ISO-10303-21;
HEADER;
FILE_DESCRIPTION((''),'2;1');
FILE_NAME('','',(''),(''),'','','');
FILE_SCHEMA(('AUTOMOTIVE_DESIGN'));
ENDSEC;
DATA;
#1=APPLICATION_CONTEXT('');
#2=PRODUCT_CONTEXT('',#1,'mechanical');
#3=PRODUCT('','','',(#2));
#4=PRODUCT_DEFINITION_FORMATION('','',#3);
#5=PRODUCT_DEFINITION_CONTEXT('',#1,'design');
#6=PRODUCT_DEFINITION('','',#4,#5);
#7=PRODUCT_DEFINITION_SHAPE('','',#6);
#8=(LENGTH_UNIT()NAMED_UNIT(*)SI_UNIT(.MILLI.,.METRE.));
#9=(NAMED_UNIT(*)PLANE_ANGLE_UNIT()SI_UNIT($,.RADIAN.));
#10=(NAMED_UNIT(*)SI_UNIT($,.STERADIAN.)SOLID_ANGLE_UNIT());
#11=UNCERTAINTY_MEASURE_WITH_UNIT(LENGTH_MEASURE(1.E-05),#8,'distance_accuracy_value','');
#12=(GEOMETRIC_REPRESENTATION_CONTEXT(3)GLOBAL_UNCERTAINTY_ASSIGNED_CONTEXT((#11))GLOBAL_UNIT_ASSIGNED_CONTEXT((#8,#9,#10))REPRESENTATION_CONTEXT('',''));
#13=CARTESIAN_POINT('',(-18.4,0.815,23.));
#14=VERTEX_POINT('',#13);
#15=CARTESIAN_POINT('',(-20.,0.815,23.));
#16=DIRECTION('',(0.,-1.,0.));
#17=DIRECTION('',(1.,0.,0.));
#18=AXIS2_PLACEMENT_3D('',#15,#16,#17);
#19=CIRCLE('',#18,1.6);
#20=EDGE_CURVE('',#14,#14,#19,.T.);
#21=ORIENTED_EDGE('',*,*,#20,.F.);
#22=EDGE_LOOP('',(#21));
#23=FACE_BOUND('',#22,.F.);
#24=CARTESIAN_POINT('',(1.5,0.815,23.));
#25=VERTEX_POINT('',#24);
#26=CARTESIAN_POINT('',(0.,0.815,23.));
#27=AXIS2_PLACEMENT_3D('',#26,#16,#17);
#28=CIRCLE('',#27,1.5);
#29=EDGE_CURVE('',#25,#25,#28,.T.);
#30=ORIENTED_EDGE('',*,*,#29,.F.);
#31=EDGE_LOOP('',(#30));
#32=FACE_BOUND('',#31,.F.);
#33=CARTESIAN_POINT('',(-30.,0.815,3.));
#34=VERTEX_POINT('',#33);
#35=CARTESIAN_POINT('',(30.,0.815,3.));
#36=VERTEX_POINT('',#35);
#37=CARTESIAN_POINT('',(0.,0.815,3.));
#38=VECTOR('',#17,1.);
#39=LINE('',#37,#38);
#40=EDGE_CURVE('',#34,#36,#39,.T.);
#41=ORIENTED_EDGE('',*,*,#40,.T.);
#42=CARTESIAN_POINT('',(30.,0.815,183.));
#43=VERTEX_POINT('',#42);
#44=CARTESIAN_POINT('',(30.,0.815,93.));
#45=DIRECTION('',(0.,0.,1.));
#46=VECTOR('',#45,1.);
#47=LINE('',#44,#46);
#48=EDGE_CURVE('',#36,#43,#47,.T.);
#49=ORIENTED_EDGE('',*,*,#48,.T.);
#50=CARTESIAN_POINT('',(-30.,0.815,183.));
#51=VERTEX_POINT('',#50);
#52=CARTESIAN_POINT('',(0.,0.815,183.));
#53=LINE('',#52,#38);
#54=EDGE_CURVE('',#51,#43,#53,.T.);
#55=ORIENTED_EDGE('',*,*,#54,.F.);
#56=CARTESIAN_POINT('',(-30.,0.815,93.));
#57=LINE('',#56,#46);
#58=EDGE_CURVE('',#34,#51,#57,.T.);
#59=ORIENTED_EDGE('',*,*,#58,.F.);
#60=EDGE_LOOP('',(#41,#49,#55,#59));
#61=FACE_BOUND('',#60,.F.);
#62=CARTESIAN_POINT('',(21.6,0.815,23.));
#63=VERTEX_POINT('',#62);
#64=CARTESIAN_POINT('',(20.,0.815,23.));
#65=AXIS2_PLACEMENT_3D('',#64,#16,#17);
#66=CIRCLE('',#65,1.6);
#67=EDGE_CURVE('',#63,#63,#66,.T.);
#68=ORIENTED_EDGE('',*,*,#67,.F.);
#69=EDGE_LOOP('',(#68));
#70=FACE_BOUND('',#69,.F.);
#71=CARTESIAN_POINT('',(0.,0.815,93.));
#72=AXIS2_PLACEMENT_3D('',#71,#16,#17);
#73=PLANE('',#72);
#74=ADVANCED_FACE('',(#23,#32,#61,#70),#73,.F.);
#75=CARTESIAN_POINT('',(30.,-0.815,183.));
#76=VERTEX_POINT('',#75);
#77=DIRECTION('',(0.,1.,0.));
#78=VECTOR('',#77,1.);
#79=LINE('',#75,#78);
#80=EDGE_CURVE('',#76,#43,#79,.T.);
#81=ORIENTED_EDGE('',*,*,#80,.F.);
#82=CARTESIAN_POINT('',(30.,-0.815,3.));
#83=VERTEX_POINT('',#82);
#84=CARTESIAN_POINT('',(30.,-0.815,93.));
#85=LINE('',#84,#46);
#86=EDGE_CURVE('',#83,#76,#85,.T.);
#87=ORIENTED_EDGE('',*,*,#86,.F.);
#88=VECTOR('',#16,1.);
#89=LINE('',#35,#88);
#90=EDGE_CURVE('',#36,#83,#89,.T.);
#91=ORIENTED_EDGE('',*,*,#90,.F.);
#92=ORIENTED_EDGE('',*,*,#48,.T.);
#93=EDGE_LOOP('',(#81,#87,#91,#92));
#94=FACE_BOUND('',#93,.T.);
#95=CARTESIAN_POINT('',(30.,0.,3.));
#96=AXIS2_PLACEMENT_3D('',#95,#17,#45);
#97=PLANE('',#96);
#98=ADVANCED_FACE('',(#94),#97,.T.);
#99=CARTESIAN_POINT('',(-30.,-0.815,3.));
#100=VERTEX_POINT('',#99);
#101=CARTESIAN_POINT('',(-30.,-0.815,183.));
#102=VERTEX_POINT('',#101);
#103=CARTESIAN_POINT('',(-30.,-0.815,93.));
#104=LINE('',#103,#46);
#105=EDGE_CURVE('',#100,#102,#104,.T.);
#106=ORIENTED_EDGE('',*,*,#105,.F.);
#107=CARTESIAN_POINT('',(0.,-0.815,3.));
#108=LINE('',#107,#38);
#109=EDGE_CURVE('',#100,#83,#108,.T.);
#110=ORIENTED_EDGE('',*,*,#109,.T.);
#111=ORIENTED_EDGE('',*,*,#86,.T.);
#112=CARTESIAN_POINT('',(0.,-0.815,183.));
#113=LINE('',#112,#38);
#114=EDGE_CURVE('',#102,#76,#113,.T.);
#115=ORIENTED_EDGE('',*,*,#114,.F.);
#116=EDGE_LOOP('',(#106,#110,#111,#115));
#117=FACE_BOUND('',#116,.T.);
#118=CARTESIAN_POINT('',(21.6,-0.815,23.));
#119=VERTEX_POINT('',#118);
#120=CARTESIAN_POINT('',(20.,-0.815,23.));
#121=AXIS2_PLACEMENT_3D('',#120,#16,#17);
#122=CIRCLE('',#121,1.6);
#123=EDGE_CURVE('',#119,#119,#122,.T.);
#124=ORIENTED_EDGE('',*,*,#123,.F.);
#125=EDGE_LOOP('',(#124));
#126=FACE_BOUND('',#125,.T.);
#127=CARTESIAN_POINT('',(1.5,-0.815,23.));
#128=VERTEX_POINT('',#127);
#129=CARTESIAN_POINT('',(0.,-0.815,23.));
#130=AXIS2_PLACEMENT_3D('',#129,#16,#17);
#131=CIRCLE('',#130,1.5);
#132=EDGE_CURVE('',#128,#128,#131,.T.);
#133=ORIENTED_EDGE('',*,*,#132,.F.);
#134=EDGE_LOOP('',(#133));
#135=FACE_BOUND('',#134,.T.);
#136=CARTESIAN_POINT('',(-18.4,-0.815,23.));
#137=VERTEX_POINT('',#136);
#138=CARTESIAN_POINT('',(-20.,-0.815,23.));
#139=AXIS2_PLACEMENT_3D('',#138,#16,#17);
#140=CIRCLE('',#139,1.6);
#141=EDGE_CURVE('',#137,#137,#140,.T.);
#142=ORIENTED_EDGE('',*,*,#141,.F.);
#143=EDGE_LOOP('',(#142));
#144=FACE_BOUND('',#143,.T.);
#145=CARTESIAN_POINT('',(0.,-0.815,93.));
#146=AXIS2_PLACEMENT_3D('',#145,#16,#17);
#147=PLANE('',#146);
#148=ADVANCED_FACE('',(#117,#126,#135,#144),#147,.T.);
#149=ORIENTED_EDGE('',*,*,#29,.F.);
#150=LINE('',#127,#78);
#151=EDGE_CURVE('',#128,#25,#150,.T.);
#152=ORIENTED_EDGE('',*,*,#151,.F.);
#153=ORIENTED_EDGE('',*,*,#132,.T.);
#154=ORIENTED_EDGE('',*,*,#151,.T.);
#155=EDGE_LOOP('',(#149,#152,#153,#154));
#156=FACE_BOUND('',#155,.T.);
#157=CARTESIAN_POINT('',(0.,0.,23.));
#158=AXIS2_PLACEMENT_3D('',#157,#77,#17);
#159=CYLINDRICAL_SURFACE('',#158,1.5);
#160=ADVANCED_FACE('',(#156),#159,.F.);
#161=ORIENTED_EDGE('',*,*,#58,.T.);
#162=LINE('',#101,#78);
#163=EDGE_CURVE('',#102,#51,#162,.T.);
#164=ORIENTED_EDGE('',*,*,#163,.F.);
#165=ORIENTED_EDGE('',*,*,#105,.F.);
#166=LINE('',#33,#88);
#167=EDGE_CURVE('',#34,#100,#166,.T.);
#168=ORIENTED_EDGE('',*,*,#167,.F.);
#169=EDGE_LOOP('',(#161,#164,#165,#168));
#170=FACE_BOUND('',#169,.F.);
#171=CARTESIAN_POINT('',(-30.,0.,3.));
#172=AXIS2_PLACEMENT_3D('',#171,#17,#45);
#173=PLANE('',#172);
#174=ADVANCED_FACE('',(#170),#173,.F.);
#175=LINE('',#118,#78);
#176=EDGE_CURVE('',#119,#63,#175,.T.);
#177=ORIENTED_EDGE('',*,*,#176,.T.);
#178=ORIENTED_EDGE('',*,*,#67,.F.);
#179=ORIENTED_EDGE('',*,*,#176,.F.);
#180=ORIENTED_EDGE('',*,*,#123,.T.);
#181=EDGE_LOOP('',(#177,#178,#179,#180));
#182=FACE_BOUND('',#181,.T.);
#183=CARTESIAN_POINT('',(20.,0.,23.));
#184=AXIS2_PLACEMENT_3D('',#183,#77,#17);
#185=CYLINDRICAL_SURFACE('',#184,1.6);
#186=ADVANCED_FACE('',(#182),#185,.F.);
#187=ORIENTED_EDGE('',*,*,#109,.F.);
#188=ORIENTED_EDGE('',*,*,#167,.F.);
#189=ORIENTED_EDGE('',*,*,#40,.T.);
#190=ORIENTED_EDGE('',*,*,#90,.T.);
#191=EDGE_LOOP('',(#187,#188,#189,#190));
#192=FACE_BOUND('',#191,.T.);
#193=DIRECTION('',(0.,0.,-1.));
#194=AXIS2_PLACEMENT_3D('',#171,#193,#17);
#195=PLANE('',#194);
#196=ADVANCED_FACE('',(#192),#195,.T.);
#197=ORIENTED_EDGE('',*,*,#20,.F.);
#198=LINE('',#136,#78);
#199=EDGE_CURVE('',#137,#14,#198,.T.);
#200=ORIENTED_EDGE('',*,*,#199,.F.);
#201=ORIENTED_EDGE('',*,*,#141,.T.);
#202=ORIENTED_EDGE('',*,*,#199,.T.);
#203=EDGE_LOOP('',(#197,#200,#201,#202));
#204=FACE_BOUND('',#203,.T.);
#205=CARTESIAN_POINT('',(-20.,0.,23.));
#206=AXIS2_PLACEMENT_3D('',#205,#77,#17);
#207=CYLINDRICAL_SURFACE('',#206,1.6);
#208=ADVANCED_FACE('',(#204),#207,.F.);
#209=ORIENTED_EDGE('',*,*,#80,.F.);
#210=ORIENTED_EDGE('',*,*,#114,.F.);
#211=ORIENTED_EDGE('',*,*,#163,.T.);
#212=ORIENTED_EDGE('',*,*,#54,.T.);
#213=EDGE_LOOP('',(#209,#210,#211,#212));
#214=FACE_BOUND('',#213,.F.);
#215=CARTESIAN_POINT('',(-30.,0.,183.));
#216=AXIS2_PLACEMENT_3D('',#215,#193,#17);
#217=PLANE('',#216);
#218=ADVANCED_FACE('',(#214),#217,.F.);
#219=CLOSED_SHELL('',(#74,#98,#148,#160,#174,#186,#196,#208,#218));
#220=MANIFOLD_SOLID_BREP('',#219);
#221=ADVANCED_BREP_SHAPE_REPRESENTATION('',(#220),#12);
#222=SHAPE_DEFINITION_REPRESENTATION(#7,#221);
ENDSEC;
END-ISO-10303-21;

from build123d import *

# Parameters (mm, degrees)
F0_W     = 60
F0_H     = 180
F0_R     = 1.6
F0_R_2   = 1.5
F1_DEPTH = 0.815


with BuildPart() as f1:
    # F0 (on Front) → F1 (new body, symmetric)
    with BuildSketch(Plane.XZ):
        with Locations((0, 93)):
            Rectangle(F0_W, F0_H)
        with Locations((-20, 23)):
            Circle(F0_R, mode=Mode.SUBTRACT)
        with Locations((0, 23)):
            Circle(F0_R_2, mode=Mode.SUBTRACT)
        with Locations((20, 23)):
            Circle(F0_R, mode=Mode.SUBTRACT)
    extrude(amount=F1_DEPTH, both=True)


solid = f1.part
